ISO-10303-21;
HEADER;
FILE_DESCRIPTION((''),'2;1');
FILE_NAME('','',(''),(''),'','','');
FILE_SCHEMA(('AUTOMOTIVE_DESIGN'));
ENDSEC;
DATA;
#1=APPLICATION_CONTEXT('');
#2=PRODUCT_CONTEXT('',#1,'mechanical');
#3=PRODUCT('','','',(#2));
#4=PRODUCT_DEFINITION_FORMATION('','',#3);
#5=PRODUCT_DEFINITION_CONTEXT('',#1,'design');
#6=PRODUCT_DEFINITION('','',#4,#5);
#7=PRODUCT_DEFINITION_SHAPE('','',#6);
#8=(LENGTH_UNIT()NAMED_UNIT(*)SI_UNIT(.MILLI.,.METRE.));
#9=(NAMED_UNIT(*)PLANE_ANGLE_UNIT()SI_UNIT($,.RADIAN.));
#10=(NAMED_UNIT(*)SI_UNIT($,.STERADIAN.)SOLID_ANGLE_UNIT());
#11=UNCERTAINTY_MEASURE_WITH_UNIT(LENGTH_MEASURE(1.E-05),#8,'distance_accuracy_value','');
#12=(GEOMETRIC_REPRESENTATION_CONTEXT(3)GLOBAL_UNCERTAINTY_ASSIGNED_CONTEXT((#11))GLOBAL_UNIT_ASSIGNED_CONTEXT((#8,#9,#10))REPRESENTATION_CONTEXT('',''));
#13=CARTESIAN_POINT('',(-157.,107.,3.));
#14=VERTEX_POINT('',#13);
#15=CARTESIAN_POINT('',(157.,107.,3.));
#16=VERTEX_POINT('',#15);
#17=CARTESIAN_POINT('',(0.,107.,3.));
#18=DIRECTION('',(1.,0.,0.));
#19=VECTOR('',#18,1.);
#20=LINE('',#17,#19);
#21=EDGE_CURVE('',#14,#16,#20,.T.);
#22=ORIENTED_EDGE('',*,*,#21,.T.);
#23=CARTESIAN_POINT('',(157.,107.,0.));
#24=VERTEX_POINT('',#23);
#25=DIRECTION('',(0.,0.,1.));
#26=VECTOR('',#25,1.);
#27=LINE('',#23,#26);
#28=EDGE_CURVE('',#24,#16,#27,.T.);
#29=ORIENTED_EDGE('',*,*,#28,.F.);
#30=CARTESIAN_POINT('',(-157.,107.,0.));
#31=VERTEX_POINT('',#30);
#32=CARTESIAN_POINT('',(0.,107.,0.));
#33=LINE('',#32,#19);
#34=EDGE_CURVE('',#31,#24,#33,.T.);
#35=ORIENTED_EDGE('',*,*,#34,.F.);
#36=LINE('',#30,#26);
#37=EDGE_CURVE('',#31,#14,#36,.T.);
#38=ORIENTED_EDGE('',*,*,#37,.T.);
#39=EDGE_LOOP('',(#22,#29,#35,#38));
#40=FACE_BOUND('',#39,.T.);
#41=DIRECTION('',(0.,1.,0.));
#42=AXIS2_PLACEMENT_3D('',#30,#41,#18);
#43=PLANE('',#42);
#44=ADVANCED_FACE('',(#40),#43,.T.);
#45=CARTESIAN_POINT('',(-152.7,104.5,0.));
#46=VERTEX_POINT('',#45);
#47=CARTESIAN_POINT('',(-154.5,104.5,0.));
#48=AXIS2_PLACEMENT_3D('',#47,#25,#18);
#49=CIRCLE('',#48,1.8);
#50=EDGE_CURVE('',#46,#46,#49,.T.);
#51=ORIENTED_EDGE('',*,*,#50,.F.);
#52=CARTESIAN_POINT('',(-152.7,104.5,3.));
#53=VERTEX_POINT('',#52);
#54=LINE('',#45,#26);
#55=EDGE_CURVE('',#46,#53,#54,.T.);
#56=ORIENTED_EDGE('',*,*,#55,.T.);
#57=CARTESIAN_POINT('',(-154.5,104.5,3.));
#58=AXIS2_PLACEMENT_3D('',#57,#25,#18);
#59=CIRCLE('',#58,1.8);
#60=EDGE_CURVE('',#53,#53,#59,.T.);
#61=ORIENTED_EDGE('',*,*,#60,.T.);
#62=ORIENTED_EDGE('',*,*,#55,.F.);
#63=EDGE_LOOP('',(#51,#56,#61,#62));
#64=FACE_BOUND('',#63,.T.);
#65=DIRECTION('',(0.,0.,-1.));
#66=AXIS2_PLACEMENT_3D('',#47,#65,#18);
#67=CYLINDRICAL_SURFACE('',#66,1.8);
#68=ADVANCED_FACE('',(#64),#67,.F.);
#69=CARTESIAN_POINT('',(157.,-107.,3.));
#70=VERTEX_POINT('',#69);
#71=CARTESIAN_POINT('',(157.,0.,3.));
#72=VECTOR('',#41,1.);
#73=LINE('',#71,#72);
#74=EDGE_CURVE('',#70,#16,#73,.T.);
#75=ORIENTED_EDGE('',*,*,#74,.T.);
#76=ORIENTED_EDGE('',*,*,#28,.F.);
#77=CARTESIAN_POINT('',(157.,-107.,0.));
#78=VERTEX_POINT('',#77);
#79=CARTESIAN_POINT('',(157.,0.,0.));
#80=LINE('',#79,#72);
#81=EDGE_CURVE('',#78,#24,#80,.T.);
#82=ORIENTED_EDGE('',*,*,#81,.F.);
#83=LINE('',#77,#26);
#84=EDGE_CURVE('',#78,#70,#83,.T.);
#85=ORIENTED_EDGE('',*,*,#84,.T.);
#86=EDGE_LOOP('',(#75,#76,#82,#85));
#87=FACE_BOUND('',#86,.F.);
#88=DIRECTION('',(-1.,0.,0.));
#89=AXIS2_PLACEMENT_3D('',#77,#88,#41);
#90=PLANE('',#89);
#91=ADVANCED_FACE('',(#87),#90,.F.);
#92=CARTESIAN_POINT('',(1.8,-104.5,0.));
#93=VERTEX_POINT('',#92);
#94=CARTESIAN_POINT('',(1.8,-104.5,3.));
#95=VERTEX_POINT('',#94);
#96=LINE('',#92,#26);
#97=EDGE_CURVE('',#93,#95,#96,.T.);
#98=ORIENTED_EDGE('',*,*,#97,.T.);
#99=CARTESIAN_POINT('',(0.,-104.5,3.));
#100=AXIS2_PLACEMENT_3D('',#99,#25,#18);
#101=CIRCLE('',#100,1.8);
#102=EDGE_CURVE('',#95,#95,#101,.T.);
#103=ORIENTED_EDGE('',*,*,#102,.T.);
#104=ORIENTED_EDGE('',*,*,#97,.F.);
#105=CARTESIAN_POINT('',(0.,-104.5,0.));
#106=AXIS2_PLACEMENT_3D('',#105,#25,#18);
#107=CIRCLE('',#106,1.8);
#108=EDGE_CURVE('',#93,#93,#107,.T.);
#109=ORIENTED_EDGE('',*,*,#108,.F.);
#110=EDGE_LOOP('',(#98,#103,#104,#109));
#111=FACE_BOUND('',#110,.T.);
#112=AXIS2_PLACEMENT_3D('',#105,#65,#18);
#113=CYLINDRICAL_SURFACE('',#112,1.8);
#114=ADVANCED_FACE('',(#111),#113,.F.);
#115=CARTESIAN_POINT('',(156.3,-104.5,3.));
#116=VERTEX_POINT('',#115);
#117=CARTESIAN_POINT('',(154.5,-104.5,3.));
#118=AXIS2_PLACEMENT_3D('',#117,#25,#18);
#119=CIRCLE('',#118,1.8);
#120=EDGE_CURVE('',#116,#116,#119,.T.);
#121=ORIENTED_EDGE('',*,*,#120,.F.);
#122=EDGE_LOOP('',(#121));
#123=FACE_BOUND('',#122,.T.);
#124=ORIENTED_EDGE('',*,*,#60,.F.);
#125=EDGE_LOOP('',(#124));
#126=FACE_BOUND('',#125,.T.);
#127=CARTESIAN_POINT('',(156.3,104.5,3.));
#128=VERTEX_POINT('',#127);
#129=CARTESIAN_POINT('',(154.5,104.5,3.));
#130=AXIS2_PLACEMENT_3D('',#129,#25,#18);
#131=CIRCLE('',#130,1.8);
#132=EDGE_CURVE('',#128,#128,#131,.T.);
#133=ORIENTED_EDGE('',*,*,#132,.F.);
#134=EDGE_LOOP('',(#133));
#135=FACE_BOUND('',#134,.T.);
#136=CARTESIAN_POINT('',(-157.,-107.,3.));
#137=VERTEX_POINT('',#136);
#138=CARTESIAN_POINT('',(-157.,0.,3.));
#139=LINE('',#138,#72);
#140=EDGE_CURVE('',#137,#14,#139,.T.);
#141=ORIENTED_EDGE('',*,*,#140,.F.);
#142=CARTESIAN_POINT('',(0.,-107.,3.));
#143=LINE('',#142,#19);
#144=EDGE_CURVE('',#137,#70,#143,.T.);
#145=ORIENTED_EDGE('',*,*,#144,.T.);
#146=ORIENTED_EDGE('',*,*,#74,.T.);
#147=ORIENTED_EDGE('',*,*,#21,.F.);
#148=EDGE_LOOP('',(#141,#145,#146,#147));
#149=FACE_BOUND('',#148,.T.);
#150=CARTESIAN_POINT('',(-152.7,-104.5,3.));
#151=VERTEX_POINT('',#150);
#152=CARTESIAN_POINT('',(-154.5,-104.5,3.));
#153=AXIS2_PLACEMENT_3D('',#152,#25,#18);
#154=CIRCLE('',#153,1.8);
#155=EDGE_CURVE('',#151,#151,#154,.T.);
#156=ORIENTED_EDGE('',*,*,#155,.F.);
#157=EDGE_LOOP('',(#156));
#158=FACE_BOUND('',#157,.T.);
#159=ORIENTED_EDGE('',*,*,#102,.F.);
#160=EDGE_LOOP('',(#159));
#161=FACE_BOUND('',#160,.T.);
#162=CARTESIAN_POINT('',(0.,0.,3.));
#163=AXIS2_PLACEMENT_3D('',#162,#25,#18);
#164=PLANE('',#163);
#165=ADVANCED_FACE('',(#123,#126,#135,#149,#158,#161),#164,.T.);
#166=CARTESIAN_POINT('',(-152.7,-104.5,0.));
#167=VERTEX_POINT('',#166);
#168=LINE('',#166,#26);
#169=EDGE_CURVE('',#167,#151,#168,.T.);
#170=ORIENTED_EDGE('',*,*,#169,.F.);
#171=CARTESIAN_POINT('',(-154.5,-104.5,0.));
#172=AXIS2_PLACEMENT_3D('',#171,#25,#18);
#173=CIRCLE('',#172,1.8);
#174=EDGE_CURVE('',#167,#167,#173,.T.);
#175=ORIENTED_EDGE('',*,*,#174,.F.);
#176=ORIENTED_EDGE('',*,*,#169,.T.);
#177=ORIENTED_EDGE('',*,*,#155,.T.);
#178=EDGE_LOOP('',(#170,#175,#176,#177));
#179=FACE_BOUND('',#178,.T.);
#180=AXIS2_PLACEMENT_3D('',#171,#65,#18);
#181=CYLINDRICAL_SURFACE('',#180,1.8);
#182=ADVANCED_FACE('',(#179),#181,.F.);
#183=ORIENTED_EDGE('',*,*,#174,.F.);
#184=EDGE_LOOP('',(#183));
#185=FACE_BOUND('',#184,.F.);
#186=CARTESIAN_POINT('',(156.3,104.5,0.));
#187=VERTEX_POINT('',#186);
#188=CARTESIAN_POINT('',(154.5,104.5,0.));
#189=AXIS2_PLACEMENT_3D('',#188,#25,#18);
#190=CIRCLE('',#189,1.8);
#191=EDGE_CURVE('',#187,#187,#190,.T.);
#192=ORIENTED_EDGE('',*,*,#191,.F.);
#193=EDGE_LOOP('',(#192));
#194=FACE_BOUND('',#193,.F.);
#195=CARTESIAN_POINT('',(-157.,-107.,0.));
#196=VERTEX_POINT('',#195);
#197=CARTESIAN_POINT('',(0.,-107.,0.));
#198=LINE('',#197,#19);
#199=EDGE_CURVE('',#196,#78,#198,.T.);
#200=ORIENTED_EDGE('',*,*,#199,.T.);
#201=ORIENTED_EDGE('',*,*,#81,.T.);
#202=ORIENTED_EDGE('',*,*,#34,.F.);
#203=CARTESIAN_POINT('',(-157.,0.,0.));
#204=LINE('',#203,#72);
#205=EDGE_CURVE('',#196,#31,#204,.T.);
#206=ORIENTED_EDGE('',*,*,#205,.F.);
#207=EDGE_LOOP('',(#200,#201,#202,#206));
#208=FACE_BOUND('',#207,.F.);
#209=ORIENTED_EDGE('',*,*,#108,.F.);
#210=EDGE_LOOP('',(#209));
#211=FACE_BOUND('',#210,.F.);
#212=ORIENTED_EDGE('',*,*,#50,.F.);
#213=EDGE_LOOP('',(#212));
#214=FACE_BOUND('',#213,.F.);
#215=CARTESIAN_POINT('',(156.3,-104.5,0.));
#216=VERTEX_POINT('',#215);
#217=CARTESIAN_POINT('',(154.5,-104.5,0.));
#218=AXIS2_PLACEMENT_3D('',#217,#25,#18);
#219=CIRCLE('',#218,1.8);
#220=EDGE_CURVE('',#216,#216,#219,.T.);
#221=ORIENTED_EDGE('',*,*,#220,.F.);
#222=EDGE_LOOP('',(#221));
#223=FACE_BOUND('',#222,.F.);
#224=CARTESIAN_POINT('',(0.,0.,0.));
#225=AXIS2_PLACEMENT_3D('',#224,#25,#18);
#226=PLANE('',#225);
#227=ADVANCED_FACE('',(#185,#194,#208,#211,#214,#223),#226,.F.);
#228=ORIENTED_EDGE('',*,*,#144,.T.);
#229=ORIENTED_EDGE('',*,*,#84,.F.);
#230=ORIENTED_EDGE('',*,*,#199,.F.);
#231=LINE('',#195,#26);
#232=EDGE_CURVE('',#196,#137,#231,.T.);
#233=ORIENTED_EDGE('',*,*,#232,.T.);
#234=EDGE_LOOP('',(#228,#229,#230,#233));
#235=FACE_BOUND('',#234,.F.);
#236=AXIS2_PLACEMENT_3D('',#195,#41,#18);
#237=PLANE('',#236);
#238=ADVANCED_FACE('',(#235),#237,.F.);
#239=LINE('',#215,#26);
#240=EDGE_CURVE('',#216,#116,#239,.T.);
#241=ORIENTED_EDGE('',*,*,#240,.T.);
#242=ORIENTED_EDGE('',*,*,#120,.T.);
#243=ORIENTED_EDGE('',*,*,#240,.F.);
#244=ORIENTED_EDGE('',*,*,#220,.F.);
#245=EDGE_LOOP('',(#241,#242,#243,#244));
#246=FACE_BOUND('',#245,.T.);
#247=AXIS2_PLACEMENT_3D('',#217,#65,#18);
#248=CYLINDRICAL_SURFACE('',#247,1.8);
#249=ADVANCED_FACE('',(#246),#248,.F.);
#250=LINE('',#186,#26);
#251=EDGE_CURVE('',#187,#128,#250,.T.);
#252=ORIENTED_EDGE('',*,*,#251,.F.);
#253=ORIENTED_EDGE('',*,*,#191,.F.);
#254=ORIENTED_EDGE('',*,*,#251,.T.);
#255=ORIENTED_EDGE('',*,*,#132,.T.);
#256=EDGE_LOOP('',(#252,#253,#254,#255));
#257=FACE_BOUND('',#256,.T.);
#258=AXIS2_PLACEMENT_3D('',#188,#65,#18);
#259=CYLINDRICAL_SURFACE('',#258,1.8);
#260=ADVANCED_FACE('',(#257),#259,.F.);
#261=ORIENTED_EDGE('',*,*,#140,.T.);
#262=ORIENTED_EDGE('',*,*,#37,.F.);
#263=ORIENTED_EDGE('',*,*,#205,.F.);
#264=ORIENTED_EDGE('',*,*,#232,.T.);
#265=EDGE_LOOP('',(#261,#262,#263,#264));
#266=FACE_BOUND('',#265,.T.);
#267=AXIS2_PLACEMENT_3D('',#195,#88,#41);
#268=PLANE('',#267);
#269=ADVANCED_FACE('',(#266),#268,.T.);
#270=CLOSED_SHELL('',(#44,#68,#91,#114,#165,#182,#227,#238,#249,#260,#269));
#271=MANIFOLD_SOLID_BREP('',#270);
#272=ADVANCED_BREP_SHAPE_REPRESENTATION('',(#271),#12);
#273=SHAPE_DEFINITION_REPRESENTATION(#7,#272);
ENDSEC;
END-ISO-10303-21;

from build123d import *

# Parameters (mm, degrees)
F0_W     = 314
F0_H     = 214
F0_R     = 1.8
F1_DEPTH = 3


with BuildPart() as f1:
    # F0 (on Top) → F1 (new body)
    with BuildSketch(Plane.XY):
        Rectangle(F0_W, F0_H)
        with Locations((-154.5, -104.5)):
            Circle(F0_R, mode=Mode.SUBTRACT)
        with Locations((0, -104.5)):
            Circle(F0_R, mode=Mode.SUBTRACT)
        with Locations((154.5, -104.5)):
            Circle(F0_R, mode=Mode.SUBTRACT)
        with Locations((-154.5, 104.5)):
            Circle(F0_R, mode=Mode.SUBTRACT)
        with Locations((154.5, 104.5)):
            Circle(F0_R, mode=Mode.SUBTRACT)
    extrude(amount=F1_DEPTH)


solid = f1.part
